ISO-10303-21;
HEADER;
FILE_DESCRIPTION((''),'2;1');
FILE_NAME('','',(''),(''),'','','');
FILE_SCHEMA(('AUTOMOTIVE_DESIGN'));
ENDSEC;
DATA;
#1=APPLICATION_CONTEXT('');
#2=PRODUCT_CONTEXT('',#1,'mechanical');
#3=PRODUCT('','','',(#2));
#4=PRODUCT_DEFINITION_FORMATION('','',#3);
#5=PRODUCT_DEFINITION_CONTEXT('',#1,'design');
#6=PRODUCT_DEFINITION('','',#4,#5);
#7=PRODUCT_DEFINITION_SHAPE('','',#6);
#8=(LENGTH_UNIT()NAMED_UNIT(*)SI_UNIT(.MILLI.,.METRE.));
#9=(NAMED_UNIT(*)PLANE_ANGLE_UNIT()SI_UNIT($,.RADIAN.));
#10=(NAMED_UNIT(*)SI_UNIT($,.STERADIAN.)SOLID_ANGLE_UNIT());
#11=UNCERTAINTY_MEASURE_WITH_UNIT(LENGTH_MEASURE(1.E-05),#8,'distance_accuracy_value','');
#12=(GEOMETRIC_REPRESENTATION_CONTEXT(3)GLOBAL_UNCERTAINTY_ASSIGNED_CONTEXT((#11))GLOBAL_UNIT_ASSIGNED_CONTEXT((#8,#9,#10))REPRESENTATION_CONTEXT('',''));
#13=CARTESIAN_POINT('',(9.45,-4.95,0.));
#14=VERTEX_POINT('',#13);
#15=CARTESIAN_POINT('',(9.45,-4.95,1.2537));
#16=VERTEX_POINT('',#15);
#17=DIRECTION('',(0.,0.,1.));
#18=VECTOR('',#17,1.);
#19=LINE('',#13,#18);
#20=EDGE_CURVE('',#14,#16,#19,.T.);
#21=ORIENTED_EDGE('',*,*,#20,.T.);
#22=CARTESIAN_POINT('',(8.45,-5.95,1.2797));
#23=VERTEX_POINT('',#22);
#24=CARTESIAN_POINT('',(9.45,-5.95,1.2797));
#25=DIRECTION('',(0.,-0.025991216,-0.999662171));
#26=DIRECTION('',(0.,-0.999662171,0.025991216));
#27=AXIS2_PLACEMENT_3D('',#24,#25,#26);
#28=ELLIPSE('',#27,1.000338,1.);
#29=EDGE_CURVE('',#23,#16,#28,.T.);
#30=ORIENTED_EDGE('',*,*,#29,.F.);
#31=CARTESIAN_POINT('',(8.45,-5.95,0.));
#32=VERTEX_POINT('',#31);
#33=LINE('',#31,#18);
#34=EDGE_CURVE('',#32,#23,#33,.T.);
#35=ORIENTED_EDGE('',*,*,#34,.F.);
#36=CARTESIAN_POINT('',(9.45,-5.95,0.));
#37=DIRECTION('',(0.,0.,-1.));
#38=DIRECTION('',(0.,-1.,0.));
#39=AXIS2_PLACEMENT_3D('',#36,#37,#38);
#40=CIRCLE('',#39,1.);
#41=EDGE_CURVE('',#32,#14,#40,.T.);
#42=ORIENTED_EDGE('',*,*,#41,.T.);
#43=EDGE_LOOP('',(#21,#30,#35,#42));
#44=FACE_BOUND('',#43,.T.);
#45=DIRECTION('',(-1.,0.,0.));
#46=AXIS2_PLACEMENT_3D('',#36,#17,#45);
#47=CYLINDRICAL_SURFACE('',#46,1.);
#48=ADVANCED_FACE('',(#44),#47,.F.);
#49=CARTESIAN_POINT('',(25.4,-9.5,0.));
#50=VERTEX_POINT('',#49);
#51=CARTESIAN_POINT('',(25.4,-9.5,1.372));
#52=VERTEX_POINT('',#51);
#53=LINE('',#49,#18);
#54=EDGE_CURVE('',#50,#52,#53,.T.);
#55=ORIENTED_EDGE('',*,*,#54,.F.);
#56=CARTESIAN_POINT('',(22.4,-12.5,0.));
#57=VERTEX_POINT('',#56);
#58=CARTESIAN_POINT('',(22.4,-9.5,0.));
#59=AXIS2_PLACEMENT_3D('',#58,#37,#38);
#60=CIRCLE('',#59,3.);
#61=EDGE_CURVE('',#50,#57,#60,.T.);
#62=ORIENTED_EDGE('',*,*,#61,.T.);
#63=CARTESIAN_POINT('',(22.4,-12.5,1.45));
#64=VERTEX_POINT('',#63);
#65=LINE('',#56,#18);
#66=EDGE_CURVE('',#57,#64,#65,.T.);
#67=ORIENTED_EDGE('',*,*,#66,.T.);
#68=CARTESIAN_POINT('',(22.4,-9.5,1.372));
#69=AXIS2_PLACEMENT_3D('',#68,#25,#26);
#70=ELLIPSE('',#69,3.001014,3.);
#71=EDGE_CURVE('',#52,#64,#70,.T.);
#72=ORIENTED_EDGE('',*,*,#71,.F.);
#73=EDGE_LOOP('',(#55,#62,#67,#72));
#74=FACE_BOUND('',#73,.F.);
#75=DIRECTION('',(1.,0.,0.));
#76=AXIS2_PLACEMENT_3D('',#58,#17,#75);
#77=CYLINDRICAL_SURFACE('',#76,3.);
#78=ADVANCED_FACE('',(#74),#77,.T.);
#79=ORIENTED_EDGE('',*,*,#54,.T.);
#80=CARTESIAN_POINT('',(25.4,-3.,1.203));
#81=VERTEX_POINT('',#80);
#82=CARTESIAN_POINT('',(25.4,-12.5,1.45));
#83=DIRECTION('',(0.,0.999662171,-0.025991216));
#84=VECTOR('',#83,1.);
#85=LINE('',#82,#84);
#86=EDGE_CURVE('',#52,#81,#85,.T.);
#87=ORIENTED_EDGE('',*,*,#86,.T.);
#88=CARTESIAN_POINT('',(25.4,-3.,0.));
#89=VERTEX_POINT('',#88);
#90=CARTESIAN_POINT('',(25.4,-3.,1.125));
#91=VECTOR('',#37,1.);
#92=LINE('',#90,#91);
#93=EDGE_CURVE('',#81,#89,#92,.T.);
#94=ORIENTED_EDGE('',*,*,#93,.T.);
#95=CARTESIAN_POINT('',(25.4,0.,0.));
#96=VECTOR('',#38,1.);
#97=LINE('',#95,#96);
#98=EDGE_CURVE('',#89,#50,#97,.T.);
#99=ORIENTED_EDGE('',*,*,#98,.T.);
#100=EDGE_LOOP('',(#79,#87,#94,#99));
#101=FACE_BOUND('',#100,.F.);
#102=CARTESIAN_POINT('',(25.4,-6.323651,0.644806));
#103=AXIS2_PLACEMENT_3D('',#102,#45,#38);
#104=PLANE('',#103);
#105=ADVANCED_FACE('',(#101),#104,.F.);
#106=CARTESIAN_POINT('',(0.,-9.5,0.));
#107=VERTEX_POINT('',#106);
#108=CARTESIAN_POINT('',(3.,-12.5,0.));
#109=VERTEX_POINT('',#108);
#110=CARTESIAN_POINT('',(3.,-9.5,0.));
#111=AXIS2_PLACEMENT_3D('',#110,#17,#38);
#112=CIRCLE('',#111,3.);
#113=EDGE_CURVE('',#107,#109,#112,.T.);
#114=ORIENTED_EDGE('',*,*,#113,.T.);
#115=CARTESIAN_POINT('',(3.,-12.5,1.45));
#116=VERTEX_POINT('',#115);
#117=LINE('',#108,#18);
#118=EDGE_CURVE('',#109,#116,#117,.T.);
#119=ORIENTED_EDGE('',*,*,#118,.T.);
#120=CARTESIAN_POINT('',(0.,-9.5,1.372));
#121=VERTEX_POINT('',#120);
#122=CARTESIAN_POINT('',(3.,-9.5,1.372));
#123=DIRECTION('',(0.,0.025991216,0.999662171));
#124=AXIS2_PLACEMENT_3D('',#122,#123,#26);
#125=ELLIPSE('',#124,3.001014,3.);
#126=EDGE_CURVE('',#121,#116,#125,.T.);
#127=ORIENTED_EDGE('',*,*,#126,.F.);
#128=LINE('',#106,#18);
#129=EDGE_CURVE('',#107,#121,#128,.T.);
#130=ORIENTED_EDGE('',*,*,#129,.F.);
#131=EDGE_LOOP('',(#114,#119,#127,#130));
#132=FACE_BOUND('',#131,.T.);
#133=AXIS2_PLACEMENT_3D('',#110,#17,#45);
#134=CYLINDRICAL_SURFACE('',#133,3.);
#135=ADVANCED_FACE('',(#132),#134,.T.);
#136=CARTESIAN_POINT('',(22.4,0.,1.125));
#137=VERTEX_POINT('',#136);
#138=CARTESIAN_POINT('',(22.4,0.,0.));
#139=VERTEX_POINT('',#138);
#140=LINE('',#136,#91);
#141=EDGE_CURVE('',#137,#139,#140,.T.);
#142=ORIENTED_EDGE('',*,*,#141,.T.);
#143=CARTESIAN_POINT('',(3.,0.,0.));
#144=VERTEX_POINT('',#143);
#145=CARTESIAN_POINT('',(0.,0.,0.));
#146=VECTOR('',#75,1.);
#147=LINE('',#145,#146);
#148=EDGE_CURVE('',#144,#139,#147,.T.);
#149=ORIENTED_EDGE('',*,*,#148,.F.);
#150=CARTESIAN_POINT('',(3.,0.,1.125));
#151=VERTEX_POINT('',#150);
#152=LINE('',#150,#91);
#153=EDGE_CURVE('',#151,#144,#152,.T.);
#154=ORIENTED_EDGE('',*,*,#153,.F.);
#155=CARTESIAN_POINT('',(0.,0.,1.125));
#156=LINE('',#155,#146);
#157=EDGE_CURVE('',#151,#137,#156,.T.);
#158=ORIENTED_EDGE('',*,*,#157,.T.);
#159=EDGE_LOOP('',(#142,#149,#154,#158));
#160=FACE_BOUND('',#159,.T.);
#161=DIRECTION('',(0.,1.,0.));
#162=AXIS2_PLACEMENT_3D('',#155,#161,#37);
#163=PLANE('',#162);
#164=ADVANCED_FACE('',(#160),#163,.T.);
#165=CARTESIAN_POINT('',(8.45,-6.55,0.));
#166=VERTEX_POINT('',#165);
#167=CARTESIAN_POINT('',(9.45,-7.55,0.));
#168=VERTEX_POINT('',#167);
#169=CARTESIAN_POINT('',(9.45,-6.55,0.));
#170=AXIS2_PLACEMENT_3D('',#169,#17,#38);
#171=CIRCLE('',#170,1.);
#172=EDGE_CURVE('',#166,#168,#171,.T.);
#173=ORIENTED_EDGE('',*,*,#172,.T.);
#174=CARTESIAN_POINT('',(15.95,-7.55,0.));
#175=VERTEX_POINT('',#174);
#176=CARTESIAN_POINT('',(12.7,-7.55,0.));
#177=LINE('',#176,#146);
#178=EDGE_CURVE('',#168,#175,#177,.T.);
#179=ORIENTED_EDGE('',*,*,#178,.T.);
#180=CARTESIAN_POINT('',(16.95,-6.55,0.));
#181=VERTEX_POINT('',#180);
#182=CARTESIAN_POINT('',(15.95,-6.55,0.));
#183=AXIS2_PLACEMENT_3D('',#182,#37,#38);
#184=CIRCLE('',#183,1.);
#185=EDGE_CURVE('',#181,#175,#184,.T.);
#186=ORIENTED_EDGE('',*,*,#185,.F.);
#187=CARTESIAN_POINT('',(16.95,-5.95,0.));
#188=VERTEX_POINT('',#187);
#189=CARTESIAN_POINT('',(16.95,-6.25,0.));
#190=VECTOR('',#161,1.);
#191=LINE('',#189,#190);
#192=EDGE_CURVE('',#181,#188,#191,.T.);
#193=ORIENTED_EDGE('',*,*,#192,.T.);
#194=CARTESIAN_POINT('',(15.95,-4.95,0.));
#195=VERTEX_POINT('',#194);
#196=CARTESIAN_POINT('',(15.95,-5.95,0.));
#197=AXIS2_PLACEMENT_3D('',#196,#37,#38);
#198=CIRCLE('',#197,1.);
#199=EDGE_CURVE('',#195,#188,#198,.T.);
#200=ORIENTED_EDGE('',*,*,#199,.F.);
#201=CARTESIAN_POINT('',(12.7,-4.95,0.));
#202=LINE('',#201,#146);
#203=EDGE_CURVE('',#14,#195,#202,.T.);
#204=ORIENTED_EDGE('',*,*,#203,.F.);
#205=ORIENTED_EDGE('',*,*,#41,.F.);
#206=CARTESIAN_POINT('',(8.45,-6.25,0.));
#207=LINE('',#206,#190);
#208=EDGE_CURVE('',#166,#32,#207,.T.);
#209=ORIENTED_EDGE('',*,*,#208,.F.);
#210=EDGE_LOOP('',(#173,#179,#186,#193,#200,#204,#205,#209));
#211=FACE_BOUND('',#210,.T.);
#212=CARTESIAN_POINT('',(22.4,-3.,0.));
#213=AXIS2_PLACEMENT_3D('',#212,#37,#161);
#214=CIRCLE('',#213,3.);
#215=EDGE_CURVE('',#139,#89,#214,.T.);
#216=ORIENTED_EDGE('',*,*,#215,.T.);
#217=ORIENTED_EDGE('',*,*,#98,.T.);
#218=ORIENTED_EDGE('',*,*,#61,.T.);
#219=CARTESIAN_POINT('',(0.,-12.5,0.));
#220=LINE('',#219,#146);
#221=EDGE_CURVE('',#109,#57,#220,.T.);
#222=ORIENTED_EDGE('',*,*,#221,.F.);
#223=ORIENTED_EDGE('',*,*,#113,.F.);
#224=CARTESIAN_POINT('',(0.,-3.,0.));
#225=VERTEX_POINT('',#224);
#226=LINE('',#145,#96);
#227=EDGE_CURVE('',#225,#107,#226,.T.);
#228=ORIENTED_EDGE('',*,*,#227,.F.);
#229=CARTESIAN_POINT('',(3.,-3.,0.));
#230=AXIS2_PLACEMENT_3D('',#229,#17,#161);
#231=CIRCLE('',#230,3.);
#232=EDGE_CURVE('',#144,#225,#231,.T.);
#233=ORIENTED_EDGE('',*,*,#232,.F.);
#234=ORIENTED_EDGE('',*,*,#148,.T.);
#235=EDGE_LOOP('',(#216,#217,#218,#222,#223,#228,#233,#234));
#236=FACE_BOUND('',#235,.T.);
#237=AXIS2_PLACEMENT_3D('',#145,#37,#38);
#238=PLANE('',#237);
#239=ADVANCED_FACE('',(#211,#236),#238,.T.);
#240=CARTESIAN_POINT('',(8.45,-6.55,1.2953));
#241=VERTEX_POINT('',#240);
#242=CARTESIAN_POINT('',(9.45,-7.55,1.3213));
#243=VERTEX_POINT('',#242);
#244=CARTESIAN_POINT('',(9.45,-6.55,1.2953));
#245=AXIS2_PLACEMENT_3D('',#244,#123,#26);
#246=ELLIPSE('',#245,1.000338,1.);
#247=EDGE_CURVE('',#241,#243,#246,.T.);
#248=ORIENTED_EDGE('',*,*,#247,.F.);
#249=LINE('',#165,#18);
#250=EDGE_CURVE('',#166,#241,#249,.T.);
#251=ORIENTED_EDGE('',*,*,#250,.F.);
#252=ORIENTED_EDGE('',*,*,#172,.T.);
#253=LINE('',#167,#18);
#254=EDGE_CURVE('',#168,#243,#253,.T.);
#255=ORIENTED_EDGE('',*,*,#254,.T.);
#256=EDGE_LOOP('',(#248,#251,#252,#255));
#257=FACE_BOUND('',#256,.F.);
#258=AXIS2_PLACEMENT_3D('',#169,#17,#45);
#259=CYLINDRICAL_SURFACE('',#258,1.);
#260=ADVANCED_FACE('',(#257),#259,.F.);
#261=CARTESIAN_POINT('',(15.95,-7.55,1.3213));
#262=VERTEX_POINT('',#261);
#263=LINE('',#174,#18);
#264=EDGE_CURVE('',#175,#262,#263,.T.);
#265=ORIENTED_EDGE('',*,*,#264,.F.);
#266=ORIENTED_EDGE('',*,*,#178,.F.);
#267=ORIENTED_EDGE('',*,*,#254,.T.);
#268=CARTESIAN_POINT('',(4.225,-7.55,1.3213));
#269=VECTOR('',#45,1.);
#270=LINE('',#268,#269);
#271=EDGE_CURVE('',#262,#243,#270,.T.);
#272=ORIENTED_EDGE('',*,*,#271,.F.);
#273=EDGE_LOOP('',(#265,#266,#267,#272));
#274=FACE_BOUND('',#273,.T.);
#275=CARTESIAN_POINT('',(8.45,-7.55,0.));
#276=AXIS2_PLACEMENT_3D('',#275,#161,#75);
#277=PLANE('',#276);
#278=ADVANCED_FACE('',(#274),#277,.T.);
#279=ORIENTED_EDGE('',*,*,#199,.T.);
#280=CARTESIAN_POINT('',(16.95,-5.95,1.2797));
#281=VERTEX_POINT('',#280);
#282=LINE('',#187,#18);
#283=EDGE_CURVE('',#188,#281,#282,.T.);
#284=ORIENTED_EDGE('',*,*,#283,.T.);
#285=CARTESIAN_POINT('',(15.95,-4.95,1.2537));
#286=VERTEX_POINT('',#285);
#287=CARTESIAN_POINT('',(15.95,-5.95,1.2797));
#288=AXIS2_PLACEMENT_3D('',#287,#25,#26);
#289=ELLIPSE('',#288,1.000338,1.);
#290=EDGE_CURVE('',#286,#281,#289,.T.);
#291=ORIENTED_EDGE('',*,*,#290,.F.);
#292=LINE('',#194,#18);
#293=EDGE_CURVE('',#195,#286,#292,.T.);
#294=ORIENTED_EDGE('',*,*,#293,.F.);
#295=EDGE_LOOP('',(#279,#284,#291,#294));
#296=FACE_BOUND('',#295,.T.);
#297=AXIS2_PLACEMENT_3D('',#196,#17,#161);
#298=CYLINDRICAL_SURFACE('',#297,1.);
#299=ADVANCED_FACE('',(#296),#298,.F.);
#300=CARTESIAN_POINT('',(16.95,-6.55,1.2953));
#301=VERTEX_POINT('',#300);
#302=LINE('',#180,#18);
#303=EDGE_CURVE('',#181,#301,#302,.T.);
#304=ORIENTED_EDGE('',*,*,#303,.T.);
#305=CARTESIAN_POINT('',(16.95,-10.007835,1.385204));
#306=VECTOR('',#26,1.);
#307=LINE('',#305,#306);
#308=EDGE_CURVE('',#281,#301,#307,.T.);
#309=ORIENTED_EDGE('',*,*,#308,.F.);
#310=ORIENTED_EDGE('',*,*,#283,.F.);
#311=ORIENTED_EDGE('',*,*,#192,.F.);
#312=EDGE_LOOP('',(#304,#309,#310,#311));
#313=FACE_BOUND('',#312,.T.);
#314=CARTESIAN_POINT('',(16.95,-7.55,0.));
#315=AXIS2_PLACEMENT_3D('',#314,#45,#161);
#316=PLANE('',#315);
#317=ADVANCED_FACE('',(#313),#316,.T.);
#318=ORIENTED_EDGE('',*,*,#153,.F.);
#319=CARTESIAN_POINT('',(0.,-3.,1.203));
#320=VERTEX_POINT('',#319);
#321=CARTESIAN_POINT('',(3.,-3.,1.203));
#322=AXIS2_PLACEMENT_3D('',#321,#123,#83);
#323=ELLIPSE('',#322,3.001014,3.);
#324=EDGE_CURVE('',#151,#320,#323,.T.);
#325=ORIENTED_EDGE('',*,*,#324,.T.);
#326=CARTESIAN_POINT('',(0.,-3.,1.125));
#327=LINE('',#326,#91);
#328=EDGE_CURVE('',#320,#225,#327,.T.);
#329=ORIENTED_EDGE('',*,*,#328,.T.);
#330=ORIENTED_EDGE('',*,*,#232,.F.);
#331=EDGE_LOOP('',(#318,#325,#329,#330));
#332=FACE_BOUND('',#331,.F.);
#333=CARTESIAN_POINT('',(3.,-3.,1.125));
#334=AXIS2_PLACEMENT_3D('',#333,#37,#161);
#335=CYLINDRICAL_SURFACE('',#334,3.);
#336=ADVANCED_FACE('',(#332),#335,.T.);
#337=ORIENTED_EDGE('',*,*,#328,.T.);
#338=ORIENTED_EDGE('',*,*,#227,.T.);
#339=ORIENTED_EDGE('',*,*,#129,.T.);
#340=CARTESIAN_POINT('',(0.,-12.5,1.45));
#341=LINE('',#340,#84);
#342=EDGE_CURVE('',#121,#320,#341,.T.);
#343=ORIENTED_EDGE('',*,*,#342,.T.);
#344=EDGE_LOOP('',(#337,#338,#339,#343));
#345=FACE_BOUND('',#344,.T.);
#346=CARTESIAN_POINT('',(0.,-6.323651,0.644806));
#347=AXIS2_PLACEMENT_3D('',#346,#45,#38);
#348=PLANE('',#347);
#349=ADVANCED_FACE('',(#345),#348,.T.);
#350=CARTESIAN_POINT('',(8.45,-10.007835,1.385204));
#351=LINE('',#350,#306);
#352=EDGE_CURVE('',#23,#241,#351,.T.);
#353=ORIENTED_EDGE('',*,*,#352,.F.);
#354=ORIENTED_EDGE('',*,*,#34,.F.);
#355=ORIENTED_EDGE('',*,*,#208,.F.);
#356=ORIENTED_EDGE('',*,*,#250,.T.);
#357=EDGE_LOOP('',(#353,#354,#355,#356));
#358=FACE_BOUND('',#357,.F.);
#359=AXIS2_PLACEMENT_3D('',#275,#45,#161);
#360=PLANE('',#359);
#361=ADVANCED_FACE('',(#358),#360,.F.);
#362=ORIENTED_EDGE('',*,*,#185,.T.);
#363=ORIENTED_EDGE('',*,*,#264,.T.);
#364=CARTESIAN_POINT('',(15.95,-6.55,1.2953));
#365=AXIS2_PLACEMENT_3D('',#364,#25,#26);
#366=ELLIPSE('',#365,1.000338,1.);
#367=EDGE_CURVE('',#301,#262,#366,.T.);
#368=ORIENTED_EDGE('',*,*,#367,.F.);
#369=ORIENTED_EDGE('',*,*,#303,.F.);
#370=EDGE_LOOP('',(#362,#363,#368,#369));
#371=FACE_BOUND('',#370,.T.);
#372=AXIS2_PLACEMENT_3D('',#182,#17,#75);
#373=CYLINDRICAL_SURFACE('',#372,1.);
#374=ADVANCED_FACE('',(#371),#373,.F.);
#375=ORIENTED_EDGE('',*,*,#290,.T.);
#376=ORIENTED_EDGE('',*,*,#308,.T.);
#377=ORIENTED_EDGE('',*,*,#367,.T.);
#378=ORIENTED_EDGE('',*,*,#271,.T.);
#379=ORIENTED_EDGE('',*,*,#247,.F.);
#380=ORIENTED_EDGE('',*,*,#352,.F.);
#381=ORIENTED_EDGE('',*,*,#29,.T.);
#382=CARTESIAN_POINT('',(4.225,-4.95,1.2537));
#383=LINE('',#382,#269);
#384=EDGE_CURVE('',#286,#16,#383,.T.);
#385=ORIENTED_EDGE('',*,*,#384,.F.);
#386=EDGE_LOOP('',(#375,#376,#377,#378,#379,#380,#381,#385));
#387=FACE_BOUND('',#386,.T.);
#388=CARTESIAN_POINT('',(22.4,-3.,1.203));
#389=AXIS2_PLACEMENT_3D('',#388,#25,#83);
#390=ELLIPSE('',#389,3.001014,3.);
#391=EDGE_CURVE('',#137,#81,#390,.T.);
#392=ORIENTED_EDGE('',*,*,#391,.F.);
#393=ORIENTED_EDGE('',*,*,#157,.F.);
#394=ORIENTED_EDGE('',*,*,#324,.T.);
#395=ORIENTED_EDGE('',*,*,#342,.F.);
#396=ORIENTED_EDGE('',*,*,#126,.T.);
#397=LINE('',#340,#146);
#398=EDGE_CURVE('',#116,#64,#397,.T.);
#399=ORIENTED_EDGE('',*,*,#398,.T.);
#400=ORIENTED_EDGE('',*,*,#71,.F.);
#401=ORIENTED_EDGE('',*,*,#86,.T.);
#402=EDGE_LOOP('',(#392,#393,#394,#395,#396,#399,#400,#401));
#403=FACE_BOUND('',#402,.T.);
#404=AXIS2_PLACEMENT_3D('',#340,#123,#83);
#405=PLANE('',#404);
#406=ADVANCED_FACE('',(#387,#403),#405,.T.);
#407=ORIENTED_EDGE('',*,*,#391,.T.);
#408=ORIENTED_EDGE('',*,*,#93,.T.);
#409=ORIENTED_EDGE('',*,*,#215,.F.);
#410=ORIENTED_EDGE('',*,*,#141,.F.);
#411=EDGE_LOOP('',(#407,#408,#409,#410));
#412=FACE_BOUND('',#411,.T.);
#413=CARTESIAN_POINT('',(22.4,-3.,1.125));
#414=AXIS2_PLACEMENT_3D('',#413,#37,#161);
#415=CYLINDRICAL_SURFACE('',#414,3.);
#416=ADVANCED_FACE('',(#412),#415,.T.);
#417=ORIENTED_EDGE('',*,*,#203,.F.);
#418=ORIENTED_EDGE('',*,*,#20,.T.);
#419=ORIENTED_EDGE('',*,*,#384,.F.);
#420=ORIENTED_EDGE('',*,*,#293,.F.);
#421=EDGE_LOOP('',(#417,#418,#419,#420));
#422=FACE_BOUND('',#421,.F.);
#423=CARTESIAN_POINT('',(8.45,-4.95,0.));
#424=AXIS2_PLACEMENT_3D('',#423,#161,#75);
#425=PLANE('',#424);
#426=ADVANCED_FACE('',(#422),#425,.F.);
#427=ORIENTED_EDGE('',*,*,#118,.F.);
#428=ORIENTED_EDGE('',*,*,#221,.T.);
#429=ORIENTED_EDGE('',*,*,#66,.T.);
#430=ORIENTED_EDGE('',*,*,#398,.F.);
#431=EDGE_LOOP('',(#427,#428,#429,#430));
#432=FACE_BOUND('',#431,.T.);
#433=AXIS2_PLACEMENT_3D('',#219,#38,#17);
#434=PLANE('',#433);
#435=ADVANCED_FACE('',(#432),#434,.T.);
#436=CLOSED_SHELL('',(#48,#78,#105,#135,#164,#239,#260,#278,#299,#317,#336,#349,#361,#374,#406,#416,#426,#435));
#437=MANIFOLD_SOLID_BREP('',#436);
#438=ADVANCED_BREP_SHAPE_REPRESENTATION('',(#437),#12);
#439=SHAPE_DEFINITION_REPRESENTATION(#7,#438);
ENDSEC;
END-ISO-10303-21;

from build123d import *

# Parameters (mm, degrees)
PAD027_DEPTH    = 25.4
SKETCH051_W     = 2.6
SKETCH051_H     = 8.5
POCKET024_DEPTH = 2
FILLET022_R     = 3
FILLET023_R     = 1


with BuildPart() as part:
    # Sketch050 → Pad027 (new body)
    with BuildSketch(Plane.YZ):
        Polygon((0, 0), (-12.5, 0), (-12.5, 1.45), (0, 1.125), align=None)
    extrude(amount=PAD027_DEPTH)

    # Sketch051 (on Face1 of Pad027) → Pocket024 (cut)
    with BuildSketch(Plane.YX):
        with Locations((-6.25, 12.7)):
            Rectangle(SKETCH051_W, SKETCH051_H)
    extrude(amount=-POCKET024_DEPTH, mode=Mode.SUBTRACT)

    # Fillet022
    fillet022_edges = [part.edges().sort_by_distance(p)[0] for p in [
        (25.4, 0, 0.5625),
        (0, 0, 0.5625),
        (25.4, -12.5, 0.725),
        (0, -12.5, 0.725),
    ]]
    fillet(fillet022_edges, radius=FILLET022_R)

    # Fillet023
    fillet023_edges = [part.edges().sort_by_distance(p)[0] for p in [
        (16.95, -7.55, 0.66065),
        (8.45, -7.55, 0.66065),
        (8.45, -4.95, 0.62685),
        (16.95, -4.95, 0.62685),
    ]]
    fillet(fillet023_edges, radius=FILLET023_R)


solid = part.part
